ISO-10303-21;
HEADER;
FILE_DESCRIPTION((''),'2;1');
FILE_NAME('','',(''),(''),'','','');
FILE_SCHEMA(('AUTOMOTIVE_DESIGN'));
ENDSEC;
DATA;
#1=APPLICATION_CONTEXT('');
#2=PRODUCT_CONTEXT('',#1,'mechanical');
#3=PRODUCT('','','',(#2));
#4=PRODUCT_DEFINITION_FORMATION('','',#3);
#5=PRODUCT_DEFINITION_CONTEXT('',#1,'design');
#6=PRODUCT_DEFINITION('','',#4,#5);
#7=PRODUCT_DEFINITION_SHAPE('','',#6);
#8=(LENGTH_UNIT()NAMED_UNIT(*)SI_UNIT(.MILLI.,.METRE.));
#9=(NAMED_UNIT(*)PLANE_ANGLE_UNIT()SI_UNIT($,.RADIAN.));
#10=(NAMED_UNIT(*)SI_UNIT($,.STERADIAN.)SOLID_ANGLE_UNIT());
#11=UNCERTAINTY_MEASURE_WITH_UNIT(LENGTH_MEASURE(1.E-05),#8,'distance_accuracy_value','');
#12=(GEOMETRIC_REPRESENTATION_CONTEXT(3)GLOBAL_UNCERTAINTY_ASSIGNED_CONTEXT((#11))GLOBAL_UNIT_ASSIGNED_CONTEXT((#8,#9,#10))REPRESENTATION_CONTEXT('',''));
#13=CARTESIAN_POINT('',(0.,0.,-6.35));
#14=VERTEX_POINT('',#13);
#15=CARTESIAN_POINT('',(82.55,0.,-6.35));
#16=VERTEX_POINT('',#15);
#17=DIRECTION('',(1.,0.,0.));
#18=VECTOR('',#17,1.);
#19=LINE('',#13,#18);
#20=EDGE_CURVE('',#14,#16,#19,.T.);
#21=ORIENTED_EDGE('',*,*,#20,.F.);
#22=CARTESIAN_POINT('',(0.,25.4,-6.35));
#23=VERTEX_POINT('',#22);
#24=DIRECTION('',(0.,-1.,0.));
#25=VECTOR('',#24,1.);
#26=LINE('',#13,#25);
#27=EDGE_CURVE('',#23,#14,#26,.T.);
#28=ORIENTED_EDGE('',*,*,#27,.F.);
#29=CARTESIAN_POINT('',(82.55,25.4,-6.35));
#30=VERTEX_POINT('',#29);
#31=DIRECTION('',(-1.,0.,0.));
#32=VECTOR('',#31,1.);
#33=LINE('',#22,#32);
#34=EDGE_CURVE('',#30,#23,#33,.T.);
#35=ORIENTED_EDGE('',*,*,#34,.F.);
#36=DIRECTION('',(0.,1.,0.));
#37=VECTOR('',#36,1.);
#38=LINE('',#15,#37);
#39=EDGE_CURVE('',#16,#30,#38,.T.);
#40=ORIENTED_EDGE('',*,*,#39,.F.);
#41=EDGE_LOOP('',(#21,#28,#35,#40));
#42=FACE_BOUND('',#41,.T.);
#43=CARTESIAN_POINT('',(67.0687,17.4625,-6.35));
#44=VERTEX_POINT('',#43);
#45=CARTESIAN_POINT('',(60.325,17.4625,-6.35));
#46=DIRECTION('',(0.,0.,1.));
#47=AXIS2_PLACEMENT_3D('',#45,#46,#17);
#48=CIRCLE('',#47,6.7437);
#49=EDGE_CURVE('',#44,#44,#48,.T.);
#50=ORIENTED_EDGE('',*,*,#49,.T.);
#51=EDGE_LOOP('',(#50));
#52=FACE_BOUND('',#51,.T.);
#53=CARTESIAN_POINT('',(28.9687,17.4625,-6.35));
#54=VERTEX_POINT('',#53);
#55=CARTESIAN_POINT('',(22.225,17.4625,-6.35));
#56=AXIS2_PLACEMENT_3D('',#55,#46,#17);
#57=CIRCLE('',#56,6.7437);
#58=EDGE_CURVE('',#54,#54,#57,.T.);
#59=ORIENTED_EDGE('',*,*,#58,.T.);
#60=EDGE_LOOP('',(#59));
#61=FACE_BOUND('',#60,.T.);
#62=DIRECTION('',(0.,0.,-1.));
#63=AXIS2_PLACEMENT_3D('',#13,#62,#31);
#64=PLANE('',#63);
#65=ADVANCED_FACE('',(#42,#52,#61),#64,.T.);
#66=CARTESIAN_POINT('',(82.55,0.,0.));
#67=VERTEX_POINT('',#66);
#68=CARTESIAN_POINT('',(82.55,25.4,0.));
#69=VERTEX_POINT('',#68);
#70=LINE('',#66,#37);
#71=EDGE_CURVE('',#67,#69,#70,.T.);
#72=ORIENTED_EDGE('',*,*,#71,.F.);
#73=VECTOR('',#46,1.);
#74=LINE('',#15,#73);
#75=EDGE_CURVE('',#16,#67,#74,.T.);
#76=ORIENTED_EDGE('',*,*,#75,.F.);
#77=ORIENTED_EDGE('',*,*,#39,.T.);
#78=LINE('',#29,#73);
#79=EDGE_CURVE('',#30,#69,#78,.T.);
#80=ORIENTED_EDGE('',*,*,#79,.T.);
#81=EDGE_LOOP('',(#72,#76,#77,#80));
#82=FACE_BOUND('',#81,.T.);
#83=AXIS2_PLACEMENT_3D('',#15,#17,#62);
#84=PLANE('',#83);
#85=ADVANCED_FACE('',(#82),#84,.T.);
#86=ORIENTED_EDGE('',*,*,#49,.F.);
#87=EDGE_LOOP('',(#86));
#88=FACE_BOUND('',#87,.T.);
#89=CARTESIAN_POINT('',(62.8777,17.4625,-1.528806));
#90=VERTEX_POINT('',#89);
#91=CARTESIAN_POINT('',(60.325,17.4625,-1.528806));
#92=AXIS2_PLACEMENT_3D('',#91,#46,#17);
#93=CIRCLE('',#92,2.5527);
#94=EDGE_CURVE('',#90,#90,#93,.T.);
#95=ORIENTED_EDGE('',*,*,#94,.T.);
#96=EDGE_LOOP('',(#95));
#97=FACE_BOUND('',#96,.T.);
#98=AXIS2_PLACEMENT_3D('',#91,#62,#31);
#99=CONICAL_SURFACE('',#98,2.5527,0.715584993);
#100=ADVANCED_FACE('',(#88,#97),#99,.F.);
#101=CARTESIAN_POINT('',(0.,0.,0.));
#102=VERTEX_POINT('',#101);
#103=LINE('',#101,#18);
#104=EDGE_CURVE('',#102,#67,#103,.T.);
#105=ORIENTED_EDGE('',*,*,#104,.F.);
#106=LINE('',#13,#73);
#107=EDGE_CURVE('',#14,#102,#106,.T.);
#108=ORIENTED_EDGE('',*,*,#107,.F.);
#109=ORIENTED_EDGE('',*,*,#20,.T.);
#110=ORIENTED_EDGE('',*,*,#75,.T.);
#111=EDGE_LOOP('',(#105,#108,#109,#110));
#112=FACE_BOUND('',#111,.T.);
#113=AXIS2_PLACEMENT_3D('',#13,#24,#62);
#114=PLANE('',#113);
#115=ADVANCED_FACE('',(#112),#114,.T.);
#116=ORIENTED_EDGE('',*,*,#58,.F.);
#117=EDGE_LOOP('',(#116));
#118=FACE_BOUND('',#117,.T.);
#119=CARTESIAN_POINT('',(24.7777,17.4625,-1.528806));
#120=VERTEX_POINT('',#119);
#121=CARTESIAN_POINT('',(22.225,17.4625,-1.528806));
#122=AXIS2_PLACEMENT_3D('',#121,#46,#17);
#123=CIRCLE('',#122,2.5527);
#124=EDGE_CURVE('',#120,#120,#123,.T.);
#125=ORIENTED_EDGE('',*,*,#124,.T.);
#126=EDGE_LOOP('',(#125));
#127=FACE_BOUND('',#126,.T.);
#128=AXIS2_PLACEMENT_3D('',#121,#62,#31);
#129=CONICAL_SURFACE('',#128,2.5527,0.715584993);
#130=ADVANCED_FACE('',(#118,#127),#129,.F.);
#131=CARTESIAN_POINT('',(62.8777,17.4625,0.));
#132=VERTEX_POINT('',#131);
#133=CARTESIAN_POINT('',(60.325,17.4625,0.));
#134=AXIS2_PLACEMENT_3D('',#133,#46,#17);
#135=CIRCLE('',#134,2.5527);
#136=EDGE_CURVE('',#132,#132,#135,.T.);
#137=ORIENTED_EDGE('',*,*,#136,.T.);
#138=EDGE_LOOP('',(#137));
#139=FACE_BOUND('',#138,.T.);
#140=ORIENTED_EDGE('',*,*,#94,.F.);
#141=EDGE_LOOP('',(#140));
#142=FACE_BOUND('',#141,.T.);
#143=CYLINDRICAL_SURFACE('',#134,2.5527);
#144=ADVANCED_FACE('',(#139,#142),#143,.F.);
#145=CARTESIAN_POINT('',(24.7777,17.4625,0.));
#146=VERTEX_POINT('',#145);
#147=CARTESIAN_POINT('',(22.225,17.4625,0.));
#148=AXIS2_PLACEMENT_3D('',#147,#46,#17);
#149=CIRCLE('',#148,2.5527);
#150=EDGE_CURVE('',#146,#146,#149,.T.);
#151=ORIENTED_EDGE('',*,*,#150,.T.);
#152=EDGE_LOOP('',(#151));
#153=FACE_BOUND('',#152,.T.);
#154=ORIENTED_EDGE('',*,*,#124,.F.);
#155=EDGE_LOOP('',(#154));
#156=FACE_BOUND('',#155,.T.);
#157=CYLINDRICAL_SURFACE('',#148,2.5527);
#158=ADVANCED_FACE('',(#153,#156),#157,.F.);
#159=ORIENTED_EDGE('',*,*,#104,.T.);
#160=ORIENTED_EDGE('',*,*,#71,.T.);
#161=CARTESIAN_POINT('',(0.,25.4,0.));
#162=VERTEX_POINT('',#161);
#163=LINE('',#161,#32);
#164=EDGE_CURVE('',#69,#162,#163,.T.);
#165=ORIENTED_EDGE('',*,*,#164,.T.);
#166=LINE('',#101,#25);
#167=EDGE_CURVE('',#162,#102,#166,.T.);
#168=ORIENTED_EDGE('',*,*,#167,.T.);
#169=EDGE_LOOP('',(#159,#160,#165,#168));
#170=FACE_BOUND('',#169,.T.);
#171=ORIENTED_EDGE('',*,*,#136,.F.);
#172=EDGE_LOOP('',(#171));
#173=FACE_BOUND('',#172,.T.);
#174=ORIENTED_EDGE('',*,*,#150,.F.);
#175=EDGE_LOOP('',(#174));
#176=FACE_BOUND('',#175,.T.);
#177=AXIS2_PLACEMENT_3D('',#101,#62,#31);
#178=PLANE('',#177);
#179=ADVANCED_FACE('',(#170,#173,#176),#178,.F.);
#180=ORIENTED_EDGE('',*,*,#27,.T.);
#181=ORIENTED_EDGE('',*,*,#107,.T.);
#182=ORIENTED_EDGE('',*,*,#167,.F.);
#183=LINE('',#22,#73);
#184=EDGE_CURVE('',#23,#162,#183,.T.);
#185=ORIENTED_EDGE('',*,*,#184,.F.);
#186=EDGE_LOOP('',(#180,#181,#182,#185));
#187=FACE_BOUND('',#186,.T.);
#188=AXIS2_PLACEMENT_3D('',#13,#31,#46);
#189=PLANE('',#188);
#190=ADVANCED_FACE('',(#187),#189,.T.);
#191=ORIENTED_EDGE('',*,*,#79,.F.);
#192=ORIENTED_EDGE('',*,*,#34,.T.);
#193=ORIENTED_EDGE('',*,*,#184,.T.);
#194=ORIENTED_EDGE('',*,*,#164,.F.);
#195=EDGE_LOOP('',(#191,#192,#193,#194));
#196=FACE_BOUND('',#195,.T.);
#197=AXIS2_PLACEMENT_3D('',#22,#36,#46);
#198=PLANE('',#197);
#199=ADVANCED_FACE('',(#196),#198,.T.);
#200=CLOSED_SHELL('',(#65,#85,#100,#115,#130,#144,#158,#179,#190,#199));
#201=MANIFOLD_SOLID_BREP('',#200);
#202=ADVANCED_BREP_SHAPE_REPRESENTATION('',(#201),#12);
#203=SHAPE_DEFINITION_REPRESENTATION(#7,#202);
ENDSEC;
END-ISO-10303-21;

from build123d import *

# Parameters (mm, degrees)
SKETCH1_W                        = 82.55
SKETCH1_H                        = 25.4
BOSS_EXTRUDE1_DEPTH              = 6.35
F_1_4_20_TAPPED_HOLE1_AT_2_COUNT = 2
F_1_4_20_TAPPED_HOLE1_AT_2_PITCH = 38.1


with BuildPart() as part:
    # Sketch1 → Boss-Extrude1 (new body)
    with BuildSketch(Plane.XY):
        with Locations((41.275, 12.7)):
            Rectangle(SKETCH1_W, SKETCH1_H)
    extrude(amount=-BOSS_EXTRUDE1_DEPTH)

    # Sketch3 → 1/4-20 Tapped Hole1 (revolve, cut)
    with BuildSketch(Plane(origin=(22.225, 17.4625, 0), x_dir=(0, -1, 0), z_dir=(1, 0, 0))):
        Polygon((0, 0), (0, 6.35), (6.7437, 6.35), (2.5527, 1.528806005), (2.5527, 0), align=None)
    f_1_4_20_tapped_hole1 = revolve(axis=Axis((22.225, 17.4625, 6.35), (0, 0, -1)), mode=Mode.SUBTRACT)

    # 1/4-20 Tapped Hole1 at 2: 1/4-20 Tapped Hole1 ×2
    with Locations(*[(i * F_1_4_20_TAPPED_HOLE1_AT_2_PITCH, 0, 0) for i in range(1, F_1_4_20_TAPPED_HOLE1_AT_2_COUNT)]):
        add(f_1_4_20_tapped_hole1, mode=Mode.SUBTRACT)


solid = part.part
